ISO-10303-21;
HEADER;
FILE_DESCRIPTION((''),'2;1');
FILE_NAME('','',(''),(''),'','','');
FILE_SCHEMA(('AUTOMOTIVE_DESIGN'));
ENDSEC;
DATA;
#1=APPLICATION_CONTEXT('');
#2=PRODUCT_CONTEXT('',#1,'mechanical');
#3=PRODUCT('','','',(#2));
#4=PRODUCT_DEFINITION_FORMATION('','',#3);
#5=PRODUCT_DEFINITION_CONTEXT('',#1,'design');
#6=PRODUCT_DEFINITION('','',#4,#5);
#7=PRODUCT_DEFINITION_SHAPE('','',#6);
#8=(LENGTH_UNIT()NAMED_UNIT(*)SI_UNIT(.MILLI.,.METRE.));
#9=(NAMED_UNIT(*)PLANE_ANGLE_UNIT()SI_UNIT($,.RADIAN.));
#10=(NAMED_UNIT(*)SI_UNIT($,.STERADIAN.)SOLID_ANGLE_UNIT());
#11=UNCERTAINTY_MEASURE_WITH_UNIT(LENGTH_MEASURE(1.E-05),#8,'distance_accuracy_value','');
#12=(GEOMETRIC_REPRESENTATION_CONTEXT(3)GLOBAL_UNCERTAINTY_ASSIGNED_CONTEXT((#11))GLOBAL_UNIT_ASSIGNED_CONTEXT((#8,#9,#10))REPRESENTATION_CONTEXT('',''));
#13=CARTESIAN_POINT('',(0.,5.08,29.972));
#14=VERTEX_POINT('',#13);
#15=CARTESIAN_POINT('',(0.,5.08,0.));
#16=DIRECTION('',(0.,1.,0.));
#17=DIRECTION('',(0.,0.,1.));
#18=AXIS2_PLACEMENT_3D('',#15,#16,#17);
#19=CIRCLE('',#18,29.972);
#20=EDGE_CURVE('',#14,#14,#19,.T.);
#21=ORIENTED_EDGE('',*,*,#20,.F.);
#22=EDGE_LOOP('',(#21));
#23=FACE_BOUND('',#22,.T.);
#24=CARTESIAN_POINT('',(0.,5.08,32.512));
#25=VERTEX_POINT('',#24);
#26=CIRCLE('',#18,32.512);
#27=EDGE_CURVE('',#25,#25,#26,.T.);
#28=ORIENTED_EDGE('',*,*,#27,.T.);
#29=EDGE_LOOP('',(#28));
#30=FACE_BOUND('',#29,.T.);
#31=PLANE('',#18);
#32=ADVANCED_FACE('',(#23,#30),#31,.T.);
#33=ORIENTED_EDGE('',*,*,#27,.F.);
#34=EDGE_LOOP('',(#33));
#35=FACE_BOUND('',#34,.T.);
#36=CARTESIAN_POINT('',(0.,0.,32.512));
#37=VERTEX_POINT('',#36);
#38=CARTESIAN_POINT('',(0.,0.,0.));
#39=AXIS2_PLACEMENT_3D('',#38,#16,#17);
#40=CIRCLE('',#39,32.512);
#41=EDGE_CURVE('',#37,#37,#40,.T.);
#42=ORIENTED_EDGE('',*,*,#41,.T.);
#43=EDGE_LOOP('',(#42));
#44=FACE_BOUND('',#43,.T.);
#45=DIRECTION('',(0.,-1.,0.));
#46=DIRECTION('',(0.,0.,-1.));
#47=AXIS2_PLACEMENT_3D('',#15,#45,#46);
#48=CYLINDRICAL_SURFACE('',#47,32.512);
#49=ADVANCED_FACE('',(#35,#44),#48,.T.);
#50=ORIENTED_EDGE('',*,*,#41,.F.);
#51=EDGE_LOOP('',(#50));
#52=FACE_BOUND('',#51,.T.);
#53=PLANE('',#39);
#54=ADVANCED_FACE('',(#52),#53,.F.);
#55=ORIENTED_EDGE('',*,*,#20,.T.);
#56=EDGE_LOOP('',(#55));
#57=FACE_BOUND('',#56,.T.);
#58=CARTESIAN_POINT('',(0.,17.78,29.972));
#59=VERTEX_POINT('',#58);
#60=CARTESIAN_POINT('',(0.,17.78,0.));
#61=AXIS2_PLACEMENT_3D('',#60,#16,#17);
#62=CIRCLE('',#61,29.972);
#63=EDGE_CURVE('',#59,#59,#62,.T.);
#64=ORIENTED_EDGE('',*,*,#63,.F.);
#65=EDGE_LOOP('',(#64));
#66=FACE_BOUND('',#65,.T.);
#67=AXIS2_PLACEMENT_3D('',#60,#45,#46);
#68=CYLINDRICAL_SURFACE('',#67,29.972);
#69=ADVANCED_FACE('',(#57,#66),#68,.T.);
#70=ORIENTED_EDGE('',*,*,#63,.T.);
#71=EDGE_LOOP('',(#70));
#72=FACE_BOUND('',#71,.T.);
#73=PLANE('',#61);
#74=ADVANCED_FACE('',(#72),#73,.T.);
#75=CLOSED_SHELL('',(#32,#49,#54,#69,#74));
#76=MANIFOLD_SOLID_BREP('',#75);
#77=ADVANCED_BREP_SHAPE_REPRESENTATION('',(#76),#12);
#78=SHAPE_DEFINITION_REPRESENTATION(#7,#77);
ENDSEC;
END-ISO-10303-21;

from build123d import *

# Parameters (mm, degrees)
SKETCH1_R           = 32.512
BOSS_EXTRUDE1_DEPTH = 5.08
SKETCH2_R           = 29.972
BOSS_EXTRUDE2_DEPTH = 12.7


with BuildPart() as part:
    # Sketch1 → Boss-Extrude1 (new body)
    with BuildSketch(Plane(origin=(0, 0, 0), x_dir=(1, 0, 0), z_dir=(0, 1, 0))):
        with Locations(Location((0, 0, 0), (0, 0, 270))):
            Circle(SKETCH1_R)
    extrude(amount=BOSS_EXTRUDE1_DEPTH)

    # Sketch2 → Boss-Extrude2 (add)
    with BuildSketch(Plane(origin=(0, 5.08, 0), x_dir=(1, 0, 0), z_dir=(0, 1, 0))):
        with Locations(Location((0, 0, 0), (0, 0, 270))):
            Circle(SKETCH2_R)
    extrude(amount=BOSS_EXTRUDE2_DEPTH)


solid = part.part
